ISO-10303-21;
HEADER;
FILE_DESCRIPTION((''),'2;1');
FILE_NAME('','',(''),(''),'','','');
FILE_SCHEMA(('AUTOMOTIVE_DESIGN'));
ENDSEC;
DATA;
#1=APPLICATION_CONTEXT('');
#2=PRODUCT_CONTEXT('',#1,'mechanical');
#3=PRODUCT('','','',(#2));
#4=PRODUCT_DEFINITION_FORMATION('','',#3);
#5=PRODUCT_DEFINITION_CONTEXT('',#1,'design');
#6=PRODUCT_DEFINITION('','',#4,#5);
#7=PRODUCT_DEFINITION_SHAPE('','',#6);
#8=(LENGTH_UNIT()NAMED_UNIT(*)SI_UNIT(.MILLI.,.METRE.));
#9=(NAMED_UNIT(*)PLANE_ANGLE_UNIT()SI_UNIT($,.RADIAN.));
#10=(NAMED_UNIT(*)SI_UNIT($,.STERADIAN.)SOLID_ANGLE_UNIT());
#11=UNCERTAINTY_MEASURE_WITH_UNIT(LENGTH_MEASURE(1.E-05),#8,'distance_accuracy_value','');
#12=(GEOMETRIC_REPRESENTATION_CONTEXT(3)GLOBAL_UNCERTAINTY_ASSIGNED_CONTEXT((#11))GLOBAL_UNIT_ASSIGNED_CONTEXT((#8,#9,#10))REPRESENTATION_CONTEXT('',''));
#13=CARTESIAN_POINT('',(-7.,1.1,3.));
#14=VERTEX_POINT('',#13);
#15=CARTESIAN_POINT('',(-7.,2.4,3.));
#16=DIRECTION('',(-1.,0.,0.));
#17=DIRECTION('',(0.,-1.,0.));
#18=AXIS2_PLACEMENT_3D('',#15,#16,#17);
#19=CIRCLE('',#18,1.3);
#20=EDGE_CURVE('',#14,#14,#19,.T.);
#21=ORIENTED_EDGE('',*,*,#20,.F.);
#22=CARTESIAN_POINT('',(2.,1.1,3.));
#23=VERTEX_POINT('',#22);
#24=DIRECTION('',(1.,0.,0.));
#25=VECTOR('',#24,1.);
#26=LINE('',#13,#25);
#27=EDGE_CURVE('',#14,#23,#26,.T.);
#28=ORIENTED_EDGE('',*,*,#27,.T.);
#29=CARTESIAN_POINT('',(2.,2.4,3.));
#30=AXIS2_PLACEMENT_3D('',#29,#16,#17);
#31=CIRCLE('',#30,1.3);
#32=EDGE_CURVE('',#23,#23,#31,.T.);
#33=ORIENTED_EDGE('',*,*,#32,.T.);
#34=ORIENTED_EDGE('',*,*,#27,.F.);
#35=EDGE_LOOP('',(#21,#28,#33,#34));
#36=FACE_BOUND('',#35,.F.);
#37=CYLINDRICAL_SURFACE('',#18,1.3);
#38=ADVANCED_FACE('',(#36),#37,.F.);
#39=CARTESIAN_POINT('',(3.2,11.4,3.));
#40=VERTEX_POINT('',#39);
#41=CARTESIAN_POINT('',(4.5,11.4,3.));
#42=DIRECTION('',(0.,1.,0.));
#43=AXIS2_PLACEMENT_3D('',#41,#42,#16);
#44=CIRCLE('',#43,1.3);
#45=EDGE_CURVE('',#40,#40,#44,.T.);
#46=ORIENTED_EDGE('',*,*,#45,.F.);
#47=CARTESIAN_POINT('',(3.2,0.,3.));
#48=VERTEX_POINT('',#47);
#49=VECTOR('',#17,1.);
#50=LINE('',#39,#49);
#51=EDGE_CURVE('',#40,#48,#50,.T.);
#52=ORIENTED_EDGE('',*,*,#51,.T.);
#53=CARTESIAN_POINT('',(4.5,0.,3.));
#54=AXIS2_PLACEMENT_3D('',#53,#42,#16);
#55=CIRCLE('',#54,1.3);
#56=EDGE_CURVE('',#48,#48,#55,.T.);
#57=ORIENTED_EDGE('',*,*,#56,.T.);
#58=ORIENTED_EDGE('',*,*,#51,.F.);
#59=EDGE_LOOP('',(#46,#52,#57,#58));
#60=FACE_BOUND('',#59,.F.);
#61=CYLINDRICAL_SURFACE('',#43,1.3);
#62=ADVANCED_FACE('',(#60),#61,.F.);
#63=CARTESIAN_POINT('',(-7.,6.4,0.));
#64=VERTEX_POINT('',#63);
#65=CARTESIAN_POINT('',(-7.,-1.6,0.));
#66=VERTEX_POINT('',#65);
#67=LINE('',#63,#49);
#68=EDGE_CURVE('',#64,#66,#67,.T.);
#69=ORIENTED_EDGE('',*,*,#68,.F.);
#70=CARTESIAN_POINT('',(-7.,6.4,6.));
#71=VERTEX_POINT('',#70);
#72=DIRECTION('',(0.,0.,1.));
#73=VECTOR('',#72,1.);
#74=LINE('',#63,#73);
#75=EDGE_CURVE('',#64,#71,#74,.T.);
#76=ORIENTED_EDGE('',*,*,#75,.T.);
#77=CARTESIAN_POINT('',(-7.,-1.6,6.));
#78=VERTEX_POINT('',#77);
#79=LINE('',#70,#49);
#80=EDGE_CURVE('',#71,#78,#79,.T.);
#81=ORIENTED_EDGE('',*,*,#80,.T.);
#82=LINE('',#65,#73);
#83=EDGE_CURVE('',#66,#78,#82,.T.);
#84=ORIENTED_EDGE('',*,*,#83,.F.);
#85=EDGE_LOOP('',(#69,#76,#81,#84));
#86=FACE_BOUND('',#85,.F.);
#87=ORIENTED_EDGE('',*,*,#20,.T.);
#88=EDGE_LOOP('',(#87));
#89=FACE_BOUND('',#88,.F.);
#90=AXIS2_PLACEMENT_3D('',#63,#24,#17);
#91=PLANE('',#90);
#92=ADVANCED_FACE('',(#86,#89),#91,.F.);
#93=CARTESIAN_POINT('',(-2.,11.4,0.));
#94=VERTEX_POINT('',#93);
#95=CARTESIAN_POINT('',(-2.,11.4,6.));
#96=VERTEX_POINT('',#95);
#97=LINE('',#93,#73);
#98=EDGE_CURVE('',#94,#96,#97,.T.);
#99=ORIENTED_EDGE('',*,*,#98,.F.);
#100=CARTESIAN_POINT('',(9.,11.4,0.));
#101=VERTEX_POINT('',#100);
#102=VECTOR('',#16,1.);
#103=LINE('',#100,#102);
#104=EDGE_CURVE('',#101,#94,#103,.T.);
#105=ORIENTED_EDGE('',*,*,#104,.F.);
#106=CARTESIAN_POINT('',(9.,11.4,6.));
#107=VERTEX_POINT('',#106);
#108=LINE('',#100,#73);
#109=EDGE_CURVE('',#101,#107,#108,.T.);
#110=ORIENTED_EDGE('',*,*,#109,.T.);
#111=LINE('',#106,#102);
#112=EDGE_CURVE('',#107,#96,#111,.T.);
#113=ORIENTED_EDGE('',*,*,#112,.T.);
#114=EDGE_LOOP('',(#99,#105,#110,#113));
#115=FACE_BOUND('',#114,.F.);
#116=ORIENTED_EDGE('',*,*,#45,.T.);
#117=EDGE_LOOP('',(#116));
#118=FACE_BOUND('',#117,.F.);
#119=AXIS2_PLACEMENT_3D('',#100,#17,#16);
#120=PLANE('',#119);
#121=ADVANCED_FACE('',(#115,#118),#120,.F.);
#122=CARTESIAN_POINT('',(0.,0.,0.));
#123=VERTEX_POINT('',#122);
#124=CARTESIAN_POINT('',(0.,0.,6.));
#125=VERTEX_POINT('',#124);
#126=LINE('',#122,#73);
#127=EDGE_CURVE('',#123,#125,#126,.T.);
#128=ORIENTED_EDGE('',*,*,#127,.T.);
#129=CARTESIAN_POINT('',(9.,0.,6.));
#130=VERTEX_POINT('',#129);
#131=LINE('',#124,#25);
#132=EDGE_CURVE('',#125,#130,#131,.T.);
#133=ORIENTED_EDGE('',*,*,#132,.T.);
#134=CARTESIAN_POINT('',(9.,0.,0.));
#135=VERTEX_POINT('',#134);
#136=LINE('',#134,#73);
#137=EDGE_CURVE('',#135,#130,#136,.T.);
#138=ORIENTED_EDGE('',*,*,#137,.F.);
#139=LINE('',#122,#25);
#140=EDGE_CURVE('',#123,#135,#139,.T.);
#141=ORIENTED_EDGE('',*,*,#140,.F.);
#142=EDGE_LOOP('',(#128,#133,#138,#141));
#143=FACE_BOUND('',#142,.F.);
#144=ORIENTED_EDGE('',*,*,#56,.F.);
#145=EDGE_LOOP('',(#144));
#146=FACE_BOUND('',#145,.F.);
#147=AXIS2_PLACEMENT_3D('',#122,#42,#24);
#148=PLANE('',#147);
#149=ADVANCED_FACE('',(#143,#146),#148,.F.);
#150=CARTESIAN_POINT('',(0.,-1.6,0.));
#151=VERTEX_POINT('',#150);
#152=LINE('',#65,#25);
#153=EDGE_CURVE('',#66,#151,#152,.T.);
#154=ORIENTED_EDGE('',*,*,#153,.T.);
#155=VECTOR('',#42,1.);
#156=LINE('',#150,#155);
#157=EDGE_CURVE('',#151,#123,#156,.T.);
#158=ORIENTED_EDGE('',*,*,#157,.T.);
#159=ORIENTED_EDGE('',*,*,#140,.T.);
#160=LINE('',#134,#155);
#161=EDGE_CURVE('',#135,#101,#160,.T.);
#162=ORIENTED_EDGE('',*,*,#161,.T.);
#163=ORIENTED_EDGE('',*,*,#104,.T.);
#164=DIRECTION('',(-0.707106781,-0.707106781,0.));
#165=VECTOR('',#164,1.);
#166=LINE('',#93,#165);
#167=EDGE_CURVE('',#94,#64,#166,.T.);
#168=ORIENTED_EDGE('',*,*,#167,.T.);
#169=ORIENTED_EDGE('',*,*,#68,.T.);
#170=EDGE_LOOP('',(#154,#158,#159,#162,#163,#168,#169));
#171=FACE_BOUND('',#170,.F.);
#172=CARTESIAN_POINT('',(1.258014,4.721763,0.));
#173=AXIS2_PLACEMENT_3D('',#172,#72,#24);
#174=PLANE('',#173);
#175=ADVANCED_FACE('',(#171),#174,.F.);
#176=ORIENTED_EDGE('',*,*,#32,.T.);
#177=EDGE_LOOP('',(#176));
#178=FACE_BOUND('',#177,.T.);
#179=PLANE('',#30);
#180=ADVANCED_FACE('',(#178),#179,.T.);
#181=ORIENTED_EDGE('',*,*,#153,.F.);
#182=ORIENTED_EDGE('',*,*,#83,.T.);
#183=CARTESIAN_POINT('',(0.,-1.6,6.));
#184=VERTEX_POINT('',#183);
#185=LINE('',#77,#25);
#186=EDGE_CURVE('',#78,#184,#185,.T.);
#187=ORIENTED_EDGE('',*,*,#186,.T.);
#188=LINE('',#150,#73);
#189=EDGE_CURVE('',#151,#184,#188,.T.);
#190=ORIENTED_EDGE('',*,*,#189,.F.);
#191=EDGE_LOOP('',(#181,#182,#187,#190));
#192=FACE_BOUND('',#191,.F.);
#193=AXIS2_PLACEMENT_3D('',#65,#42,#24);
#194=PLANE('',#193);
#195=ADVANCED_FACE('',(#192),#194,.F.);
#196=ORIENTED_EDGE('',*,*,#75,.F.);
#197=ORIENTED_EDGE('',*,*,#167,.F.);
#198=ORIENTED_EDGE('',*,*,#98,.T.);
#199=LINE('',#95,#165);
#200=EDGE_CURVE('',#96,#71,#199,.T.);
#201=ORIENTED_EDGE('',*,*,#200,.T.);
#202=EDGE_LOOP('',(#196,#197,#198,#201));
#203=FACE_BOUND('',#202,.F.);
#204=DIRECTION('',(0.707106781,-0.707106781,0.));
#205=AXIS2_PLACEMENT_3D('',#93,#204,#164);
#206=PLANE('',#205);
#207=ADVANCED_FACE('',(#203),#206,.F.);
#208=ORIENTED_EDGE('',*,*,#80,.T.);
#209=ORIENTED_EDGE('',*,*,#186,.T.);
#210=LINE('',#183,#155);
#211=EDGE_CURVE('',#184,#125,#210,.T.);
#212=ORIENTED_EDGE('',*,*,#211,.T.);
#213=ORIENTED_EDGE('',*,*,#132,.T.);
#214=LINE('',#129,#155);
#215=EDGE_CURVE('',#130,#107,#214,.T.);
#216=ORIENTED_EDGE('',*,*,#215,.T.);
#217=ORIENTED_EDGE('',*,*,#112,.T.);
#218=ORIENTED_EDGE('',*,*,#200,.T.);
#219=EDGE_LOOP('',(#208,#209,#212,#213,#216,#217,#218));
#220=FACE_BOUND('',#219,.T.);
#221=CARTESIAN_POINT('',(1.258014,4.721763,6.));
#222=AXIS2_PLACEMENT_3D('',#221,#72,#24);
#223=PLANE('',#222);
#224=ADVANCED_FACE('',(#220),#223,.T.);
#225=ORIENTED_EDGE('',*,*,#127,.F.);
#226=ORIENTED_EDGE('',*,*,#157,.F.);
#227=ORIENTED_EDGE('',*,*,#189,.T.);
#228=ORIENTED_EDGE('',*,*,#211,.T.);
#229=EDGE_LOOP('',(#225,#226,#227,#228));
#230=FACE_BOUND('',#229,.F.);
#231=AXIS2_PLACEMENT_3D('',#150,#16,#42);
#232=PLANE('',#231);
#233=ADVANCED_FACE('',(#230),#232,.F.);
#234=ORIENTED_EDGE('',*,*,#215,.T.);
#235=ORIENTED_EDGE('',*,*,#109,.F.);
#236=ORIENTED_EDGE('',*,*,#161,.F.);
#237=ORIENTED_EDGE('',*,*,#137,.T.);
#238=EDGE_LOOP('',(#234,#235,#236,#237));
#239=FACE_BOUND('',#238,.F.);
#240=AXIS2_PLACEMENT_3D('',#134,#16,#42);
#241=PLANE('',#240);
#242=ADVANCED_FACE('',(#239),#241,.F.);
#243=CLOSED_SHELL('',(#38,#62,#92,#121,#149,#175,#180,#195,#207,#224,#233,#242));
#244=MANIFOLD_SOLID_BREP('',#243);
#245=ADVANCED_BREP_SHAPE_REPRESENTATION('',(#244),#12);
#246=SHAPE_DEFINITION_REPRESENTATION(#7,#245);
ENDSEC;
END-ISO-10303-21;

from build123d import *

# Parameters (mm, degrees)
PAD_DEPTH       = 6
SKETCH001_R     = 1.3
POCKET_DEPTH    = 9
SKETCH002_R     = 1.3
POCKET001_DEPTH = 13.001


with BuildPart() as part:
    # Sketch → Pad (new body)
    with BuildSketch(Plane.XY):
        Polygon((-7, -1.6), (0, -1.6), (0, 0), (9, 0), (9, 11.4), (-2, 11.4), (-7, 6.4), align=None)
    extrude(amount=PAD_DEPTH)

    # Sketch001 → Pocket (cut)
    with BuildSketch(Plane(origin=(-7, 0, 0), x_dir=(0, -1, 0), z_dir=(-1, 0, 0))):
        with Locations((-2.4, 3)):
            Circle(SKETCH001_R)
    extrude(amount=-POCKET_DEPTH, mode=Mode.SUBTRACT)

    # Sketch002 → Pocket001 (cut, through all)
    with BuildSketch(Plane(origin=(0, 11.4, 0), x_dir=(-1, 0, 0), z_dir=(0, 1, 0))):
        with Locations((-4.5, 3)):
            Circle(SKETCH002_R)
    extrude(amount=-POCKET001_DEPTH, mode=Mode.SUBTRACT)


solid = part.part
